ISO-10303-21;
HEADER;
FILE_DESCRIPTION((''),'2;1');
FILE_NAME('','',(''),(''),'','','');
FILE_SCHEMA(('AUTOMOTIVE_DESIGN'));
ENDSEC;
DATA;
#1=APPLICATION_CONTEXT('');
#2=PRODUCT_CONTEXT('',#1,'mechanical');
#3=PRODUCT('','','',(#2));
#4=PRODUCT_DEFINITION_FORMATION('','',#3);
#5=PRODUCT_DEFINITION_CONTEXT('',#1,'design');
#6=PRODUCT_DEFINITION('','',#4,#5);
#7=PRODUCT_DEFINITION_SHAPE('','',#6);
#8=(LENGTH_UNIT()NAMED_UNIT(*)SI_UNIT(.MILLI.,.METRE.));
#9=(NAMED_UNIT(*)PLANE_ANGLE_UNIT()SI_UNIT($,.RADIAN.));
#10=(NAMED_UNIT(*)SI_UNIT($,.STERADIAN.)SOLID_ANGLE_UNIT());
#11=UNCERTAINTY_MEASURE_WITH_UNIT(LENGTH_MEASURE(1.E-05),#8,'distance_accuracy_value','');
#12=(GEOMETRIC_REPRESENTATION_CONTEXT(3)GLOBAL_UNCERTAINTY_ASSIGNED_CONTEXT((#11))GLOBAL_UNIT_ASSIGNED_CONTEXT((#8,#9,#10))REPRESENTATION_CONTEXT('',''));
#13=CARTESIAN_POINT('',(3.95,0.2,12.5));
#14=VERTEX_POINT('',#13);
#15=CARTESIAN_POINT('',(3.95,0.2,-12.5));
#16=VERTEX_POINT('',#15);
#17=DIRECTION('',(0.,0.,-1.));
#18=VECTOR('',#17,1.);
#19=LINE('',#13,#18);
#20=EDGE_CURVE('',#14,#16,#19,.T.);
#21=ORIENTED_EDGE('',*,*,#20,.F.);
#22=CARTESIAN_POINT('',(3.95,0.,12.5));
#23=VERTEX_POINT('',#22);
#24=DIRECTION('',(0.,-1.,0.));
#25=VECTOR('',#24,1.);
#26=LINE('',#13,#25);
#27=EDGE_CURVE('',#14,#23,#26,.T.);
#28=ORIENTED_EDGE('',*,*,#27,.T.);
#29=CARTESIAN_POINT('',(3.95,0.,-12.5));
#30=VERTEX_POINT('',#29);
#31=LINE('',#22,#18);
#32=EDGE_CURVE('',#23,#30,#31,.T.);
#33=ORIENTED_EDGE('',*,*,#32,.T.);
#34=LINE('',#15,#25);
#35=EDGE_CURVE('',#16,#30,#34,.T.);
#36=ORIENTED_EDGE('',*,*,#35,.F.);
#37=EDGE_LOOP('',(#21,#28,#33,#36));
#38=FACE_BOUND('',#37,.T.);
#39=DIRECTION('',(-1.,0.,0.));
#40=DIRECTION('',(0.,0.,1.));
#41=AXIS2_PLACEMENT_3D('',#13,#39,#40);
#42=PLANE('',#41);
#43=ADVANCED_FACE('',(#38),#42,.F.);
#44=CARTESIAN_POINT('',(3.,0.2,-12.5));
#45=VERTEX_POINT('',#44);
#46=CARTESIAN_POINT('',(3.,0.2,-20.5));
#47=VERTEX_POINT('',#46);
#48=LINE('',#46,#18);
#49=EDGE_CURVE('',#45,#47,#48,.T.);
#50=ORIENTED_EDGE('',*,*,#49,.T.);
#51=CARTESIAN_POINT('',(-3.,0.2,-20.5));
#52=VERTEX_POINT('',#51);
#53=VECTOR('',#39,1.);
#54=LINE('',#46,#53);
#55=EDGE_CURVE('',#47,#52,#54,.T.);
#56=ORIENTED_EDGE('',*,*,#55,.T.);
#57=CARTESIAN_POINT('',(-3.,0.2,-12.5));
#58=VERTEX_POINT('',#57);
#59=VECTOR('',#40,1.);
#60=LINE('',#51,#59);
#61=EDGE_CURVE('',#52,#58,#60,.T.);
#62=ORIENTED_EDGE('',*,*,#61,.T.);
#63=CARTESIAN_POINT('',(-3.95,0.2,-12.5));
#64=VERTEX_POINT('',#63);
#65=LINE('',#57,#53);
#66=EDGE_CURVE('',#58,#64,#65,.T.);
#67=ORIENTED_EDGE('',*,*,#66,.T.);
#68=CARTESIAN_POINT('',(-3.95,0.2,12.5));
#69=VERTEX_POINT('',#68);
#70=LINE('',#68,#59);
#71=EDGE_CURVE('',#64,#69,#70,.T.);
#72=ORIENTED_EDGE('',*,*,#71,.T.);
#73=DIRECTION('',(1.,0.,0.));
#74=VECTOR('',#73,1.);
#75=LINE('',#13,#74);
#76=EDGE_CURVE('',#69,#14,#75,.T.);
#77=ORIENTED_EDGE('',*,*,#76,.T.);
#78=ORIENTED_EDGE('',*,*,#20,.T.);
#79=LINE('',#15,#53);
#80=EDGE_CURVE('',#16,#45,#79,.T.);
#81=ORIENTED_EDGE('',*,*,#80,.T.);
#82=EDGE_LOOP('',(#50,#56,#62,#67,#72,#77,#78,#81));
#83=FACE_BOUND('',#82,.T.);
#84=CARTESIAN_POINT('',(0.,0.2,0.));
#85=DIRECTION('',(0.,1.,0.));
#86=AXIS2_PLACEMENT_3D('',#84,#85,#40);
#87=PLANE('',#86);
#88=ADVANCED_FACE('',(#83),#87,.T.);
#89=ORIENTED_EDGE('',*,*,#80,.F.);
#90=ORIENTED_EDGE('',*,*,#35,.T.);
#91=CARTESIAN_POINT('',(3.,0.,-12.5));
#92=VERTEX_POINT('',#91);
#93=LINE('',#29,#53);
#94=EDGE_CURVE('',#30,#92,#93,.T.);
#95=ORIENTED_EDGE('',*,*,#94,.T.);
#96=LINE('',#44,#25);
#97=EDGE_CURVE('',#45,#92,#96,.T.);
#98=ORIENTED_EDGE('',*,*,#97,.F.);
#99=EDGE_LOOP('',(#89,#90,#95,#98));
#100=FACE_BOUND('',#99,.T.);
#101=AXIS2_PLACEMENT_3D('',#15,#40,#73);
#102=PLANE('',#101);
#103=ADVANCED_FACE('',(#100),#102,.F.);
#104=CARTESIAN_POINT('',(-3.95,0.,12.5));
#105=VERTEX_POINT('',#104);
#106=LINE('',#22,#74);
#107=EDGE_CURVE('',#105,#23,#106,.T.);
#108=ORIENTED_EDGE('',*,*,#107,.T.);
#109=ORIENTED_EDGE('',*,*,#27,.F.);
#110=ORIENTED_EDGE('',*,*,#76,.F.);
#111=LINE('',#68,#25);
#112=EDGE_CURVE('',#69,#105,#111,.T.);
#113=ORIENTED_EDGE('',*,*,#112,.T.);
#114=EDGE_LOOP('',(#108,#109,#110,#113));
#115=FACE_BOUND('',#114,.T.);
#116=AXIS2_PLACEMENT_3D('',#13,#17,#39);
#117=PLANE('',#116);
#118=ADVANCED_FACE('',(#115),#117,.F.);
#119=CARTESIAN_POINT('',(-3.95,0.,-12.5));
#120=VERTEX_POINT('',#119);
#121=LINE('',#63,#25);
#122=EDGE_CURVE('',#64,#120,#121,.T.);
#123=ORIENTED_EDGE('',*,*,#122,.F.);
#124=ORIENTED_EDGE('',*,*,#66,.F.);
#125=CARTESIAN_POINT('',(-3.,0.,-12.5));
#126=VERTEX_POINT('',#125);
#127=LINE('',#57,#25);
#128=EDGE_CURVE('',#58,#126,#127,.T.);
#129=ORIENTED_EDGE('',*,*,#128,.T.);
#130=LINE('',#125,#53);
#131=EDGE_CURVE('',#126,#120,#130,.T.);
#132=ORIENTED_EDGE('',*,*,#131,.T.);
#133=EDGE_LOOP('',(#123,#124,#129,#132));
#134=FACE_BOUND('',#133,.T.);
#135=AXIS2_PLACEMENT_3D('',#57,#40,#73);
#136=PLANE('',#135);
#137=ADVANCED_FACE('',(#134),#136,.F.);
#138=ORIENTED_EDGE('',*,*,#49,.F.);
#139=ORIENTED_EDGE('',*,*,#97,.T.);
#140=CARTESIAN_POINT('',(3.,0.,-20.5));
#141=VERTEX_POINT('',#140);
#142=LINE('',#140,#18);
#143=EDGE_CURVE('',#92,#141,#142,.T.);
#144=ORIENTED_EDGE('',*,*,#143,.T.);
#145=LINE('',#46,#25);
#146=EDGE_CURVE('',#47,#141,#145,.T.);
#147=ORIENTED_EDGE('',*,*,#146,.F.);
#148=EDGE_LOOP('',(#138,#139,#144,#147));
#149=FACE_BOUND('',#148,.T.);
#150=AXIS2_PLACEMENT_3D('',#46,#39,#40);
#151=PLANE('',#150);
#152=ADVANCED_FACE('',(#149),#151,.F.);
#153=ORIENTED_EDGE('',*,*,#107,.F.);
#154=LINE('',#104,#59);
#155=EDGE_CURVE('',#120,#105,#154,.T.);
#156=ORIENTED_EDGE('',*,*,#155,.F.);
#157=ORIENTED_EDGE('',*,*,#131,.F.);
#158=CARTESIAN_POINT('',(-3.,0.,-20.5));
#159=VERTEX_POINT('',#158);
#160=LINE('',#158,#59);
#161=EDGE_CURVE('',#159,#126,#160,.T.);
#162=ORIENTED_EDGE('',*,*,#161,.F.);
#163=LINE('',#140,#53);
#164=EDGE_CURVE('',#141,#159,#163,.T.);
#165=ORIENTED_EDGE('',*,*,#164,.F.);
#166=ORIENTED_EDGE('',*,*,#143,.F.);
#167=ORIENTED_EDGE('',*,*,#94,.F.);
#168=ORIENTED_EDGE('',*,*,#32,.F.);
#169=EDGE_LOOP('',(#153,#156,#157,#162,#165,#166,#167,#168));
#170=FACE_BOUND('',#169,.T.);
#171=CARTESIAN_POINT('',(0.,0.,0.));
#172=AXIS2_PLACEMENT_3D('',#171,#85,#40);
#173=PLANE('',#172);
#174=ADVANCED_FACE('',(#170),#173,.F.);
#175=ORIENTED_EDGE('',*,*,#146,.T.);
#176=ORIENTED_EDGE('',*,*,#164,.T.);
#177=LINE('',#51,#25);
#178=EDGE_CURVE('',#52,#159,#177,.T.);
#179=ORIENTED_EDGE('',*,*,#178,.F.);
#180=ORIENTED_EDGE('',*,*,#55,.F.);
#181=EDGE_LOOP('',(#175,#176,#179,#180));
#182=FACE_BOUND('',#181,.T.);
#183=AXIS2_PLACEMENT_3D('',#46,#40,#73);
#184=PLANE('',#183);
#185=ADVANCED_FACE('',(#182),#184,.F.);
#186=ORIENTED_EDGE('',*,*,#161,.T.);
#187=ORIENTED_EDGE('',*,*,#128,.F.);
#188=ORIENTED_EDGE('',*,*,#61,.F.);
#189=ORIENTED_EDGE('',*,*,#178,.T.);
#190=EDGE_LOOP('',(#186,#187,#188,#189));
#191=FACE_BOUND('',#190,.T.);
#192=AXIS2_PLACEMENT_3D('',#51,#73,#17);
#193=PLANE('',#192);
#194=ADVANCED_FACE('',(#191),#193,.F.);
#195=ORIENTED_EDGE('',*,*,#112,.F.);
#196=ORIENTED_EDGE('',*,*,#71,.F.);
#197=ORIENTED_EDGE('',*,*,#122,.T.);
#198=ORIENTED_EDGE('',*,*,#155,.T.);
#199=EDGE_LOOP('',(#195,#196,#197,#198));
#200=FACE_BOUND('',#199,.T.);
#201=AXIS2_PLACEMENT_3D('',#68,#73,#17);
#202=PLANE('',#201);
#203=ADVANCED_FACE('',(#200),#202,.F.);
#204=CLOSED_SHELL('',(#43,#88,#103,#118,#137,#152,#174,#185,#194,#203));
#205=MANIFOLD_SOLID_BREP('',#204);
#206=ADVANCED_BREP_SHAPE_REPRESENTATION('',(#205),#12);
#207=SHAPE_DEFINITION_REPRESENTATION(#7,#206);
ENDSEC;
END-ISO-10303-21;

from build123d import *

# Parameters (mm, degrees)
AUFSATZ_LINEAR_AUSTRAGEN1_DEPTH = 0.2


with BuildPart() as part:
    # Skizze1 → Aufsatz-Linear austragen1 (new body)
    with BuildSketch(Plane(origin=(0, 0, 0), x_dir=(1, 0, 0), z_dir=(0, 1, 0))):
        Polygon((-3, 12.5), (-3.95, 12.5), (-3.95, -12.5), (3.95, -12.5), (3.95, 12.5), (3, 12.5), (3, 20.5), (-3, 20.5), align=None)
    extrude(amount=AUFSATZ_LINEAR_AUSTRAGEN1_DEPTH)


solid = part.part
